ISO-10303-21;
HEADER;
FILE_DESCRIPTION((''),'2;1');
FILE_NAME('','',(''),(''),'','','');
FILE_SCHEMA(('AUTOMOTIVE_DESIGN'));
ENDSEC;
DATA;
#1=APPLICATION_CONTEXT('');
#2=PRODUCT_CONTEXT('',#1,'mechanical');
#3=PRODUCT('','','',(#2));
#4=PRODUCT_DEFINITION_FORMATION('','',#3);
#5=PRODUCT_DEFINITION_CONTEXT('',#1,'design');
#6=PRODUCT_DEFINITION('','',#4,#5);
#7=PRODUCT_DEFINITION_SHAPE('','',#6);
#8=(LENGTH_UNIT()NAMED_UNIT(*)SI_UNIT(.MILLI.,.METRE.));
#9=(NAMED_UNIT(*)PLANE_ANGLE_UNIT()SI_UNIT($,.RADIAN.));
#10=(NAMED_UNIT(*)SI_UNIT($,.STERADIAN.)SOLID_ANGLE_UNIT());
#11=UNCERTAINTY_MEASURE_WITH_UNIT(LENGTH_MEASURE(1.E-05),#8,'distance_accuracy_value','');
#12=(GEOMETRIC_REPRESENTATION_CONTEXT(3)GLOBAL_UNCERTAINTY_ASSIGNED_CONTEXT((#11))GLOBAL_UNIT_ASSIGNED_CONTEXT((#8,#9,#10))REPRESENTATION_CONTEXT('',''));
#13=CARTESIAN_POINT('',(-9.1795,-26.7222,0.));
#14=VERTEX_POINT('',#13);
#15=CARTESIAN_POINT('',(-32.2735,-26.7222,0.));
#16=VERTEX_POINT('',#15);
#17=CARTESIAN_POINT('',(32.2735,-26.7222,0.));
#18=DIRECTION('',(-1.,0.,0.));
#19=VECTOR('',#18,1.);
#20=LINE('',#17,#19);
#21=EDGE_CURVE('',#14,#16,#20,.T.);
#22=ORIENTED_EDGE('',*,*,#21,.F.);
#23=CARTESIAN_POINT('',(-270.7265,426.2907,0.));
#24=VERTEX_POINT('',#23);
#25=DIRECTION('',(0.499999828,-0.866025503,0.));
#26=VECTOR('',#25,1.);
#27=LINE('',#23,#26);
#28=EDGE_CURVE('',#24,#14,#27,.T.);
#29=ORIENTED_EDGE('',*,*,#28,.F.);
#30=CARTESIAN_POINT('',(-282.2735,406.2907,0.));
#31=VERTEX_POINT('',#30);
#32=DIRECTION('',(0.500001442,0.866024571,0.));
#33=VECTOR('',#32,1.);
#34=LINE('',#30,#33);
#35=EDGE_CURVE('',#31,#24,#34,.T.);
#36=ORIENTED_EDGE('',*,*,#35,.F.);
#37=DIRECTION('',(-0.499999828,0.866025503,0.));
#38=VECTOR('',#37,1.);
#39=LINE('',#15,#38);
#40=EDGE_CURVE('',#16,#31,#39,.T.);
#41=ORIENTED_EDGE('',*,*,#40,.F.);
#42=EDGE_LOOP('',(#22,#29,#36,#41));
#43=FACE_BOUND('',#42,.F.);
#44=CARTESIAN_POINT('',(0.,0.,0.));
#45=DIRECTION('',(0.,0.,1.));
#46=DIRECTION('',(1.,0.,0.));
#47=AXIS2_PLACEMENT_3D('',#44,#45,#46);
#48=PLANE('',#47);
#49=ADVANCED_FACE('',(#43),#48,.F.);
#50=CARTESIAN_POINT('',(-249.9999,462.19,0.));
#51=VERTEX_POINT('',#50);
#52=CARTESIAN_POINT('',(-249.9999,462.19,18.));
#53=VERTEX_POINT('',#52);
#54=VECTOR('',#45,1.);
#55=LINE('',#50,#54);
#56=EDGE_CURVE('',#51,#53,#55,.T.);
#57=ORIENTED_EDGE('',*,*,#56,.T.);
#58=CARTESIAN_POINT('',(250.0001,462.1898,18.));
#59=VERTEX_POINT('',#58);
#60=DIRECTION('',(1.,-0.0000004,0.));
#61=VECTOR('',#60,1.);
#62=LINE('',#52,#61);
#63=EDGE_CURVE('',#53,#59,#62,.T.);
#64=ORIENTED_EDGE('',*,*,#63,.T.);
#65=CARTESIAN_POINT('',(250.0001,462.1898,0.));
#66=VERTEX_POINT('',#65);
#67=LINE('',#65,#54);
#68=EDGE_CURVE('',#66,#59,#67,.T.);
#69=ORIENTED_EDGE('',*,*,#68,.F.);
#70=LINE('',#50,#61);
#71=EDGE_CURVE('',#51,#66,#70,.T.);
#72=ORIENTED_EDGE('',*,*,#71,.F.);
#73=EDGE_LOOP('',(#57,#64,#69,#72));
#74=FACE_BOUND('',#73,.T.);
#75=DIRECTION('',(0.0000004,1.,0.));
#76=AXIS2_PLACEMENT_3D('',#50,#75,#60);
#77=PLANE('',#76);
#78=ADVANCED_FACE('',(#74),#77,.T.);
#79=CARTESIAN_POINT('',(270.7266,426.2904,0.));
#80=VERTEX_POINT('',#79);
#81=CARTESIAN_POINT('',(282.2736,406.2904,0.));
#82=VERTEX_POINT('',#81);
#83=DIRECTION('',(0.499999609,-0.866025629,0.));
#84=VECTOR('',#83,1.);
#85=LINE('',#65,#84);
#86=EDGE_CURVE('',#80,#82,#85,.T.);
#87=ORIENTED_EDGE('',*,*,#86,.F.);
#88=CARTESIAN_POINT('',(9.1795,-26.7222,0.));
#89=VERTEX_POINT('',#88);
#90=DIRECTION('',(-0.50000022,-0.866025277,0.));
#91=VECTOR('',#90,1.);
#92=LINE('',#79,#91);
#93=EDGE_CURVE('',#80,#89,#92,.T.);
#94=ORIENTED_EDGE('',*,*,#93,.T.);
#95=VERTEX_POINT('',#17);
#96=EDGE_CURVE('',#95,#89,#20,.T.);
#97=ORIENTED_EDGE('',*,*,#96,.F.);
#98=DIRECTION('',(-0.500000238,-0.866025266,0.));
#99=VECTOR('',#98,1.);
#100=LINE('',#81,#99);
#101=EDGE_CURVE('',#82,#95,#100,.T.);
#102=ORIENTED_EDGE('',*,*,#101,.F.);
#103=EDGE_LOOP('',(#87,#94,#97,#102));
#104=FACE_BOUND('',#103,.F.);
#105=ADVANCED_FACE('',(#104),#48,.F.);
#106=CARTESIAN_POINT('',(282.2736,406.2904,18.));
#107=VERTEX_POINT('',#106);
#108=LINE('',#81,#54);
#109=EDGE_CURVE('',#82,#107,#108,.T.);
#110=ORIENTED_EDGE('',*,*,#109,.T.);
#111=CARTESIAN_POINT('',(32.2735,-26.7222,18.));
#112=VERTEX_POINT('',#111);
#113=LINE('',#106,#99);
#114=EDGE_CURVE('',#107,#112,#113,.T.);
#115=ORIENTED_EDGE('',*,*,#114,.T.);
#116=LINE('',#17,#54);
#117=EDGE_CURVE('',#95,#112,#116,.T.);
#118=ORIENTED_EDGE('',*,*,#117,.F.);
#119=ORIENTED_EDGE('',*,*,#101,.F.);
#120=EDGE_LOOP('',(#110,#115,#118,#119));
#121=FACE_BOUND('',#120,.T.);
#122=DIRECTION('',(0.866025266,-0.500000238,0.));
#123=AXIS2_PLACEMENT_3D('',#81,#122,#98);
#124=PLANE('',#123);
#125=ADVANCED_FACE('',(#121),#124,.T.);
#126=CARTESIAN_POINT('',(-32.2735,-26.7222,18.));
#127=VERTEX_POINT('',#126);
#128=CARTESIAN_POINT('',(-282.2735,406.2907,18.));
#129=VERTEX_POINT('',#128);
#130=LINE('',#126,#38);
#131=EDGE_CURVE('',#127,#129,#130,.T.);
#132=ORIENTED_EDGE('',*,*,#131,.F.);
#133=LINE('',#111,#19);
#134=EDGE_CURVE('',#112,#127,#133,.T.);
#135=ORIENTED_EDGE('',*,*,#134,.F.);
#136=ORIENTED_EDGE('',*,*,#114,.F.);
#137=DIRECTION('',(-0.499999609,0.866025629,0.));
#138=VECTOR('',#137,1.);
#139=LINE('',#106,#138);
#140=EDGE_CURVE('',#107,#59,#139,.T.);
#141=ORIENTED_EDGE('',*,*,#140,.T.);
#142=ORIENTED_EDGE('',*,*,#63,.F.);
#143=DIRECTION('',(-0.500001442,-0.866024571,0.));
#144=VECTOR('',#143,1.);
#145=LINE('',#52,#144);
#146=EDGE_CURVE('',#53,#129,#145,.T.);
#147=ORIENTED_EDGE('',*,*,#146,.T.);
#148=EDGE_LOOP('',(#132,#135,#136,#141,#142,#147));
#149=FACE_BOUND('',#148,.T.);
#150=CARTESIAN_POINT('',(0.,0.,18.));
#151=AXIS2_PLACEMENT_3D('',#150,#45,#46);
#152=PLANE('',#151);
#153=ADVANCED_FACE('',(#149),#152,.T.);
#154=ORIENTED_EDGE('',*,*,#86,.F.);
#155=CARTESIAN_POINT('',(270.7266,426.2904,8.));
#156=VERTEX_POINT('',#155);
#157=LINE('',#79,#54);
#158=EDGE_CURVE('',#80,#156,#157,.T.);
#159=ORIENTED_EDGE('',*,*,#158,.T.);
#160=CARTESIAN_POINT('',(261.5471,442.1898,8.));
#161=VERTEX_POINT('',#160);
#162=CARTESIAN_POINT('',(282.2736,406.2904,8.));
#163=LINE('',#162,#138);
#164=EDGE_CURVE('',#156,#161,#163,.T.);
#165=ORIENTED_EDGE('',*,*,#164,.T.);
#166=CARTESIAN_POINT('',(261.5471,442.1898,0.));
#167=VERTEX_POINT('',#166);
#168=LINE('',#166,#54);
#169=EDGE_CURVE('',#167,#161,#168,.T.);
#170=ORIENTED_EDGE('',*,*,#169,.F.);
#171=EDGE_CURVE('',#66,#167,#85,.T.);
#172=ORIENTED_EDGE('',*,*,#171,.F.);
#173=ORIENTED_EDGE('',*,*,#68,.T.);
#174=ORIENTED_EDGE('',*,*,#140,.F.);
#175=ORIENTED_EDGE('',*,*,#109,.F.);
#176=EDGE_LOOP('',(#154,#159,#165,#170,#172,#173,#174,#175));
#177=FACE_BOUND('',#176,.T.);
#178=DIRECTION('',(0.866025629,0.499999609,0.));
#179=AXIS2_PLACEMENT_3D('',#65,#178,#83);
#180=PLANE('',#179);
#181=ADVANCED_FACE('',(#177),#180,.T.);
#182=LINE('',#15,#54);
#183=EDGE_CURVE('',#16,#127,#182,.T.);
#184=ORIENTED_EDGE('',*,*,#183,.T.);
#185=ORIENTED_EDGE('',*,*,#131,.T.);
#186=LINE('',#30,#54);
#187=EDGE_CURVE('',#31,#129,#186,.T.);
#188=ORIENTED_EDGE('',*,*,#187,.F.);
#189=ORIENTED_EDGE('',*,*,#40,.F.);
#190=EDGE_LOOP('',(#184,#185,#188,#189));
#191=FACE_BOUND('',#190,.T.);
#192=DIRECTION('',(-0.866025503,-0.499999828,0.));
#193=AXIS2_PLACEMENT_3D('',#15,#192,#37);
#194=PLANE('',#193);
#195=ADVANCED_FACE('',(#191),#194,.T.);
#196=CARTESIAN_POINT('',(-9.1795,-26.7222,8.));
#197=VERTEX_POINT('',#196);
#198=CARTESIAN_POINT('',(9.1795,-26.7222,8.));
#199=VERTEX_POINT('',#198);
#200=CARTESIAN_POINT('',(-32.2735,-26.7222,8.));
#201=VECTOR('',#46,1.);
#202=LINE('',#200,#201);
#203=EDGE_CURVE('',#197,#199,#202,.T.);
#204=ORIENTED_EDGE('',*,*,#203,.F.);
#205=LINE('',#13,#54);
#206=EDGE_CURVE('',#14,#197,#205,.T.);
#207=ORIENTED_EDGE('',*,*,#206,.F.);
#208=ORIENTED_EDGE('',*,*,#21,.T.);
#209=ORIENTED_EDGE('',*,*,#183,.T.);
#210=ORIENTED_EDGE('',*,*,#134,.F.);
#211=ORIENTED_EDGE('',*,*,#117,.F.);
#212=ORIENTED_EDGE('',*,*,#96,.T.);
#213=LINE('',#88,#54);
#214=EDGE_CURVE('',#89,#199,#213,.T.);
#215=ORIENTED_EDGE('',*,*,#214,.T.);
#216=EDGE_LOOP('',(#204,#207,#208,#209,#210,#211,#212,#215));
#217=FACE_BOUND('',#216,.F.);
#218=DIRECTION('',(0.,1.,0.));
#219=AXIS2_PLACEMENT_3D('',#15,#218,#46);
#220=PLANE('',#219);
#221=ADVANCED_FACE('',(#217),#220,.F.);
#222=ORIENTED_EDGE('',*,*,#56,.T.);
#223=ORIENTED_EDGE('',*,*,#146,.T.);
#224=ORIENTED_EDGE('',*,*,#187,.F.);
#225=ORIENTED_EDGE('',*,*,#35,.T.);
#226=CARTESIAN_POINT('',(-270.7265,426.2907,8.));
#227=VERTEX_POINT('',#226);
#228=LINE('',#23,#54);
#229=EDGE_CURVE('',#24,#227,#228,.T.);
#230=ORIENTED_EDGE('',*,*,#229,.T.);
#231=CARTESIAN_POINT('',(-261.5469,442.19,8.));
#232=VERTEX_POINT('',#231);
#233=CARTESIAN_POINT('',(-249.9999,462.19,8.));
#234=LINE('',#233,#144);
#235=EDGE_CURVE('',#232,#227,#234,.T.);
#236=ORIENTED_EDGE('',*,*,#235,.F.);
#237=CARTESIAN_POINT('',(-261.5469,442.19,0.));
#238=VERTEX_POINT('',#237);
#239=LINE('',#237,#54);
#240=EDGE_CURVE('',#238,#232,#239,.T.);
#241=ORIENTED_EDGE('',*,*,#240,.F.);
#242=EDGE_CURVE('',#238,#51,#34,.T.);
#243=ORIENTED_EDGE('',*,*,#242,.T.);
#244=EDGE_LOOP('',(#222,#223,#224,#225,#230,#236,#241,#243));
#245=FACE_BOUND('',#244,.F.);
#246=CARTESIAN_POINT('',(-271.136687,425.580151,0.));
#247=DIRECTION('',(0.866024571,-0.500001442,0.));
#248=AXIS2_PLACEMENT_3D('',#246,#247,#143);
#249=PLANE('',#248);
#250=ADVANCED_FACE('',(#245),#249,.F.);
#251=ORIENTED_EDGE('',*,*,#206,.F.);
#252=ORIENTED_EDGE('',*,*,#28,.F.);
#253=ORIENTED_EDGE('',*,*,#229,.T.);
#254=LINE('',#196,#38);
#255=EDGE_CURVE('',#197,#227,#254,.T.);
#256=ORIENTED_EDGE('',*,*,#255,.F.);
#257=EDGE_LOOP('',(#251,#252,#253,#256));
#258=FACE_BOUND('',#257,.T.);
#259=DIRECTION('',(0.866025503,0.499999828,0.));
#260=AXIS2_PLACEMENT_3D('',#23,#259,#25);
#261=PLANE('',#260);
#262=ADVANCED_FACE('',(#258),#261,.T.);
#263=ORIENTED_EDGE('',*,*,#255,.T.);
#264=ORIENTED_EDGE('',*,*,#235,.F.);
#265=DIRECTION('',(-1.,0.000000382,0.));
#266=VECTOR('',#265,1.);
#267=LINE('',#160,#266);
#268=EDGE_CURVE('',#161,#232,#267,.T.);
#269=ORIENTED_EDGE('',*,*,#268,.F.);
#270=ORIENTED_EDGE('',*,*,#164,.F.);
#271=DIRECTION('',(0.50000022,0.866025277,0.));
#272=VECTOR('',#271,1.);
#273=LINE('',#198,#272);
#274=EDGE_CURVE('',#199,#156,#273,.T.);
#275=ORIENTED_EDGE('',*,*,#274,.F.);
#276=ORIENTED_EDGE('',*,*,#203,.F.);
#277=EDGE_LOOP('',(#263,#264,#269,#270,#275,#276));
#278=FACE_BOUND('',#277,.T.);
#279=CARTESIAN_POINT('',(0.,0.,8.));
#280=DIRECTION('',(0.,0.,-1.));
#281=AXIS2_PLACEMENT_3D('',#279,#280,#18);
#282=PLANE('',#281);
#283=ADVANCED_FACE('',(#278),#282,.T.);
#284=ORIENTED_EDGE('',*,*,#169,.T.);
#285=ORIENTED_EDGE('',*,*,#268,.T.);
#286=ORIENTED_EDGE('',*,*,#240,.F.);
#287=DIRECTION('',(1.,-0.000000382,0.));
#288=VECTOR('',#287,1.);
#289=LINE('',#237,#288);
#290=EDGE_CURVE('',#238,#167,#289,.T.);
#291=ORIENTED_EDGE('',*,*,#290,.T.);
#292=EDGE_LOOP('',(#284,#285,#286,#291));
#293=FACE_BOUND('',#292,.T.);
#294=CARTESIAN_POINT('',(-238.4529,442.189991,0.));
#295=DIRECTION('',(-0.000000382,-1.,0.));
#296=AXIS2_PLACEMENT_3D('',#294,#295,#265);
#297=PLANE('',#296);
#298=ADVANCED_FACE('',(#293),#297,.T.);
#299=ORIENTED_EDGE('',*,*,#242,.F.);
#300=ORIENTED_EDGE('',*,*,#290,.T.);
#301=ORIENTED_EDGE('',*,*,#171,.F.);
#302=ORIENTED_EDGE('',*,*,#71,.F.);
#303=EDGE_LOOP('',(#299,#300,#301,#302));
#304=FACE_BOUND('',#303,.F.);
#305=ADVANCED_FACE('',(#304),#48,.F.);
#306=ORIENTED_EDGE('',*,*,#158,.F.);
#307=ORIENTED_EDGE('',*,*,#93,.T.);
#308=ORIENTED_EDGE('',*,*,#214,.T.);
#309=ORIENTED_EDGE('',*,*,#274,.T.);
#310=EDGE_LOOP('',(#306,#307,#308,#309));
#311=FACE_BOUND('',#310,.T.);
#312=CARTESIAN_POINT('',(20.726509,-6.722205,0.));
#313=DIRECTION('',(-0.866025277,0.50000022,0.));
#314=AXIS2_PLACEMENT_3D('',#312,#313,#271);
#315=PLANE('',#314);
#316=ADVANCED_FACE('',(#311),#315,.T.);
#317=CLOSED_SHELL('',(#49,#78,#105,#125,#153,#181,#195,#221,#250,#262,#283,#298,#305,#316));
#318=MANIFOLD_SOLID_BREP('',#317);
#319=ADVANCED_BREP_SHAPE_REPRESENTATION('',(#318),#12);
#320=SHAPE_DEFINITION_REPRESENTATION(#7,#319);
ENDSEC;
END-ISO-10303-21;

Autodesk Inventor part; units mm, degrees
ref_plane "YZ Plane" through (0, 0, 0) normal (1, 0, 0) x (0, 1, 0)
ref_plane "XZ Plane" through (0, 0, 0) normal (0, 1, 0) x (-1, 0, 0)
ref_plane "XY Plane" through (0, 0, 0) normal (0, 0, 1) x (1, 0, 0)
sketch "Sketch1" plane through (0, 0, 0) normal (0, 0, 1) x (1, 0, 0)
  arc A0 (21.6973, 4.8506) -> (16.5011, 13.8506) centre (16.5011, 7.8506) ccw projected
  line L0 (21.6973, 4.8506) -> (13.3257, -9.6494) projected
  arc A1 (5.5315, -14.1494) -> (13.3257, -9.6494) centre (5.5315, -5.1494) ccw projected
  line L1 (5.5315, -14.1494) -> (-5.5315, -14.1494) projected
  arc A2 (-13.3257, -9.6494) -> (-5.5315, -14.1494) centre (-5.5315, -5.1494) ccw projected
  line L2 (-13.3257, -9.6494) -> (-21.6973, 4.8506) projected
  arc A3 (-16.5011, 13.8506) -> (-21.6973, 4.8506) centre (-16.5011, 7.8506) ccw projected
  line L3 (-16.5011, 13.8506) -> (16.5011, 13.8506) projected
  line L4 (-10, -40.5494) -> (-10, -20.5494) projected
  line L5 (-10, -20.5494) -> (10, -20.5494) projected
  line L6 (10, -20.5494) -> (10, -40.5494) projected
  line L7 (10, -40.5494) -> (-10, -40.5494) projected
  line L8 (15, -16.7494) -> (43, 31.7481) projected
  line L9 (43, 31.7481) -> (38.6699, 34.2481) projected
  line L10 (38.6699, 34.2481) -> (31.7143, 22.2006) projected
  arc A4 (23.4871, 17.4506) -> (31.7143, 22.2006) centre (23.4871, 26.9506) ccw projected
  line L11 (23.4871, 17.4506) -> (-23.4871, 17.4506) projected
  arc A5 (-31.7143, 22.2006) -> (-23.4871, 17.4506) centre (-23.4871, 26.9506) ccw projected
  line L12 (-31.7143, 22.2006) -> (-38.6699, 34.2481) projected
  line L13 (-38.6699, 34.2481) -> (-43, 31.7481) projected
  line L14 (-43, 31.7481) -> (-15, -16.7494) projected
  line L15 (-15, -16.7494) -> (-32.2735, -26.7222) projected
  arc A6 (-32.2735, -26.7222) -> (32.2735, -26.7222) centre (0, -5.7301) ccw projected
  line L16 (32.2735, -26.7222) -> (15, -16.7494) projected
  arc A7 (227.9453, 437.2441) -> (222.7491, 428.2441) centre (227.9453, 431.2441) ccw projected
  line L17 (227.9453, 437.2441) -> (244.6884, 437.2441) projected
  arc A8 (252.4827, 432.7441) -> (244.6884, 437.2441) centre (244.6884, 428.2441) ccw projected
  line L18 (252.4827, 432.7441) -> (258.0141, 423.1633) projected
  arc A9 (258.0141, 414.1633) -> (258.0141, 423.1633) centre (250.2199, 418.6633) ccw projected
  line L19 (258.0141, 414.1633) -> (249.6425, 399.6633) projected
  arc A10 (239.2502, 399.6633) -> (249.6425, 399.6633) centre (244.4464, 402.6633) ccw projected
  line L20 (239.2502, 399.6633) -> (222.7491, 428.2441) projected
  line L21 (283.1115, 432.4934) -> (265.791, 422.4934) projected
  line L22 (265.791, 422.4934) -> (255.791, 439.8139) projected
  line L23 (255.791, 439.8139) -> (273.1115, 449.8139) projected
  line L24 (273.1115, 449.8139) -> (283.1115, 432.4934) projected
  line L25 (250.0001, 442.2441) -> (194.0001, 442.2441) projected
  line L26 (194.0001, 442.2441) -> (194.0001, 437.2441) projected
  line L27 (194.0001, 437.2441) -> (207.9112, 437.2441) projected
  arc A11 (216.1385, 432.4941) -> (207.9112, 437.2441) centre (207.9112, 427.7441) ccw projected
  line L28 (216.1385, 432.4941) -> (239.6255, 391.8133) projected
  arc A12 (239.6255, 382.3133) -> (239.6255, 391.8133) centre (231.3983, 387.0633) ccw projected
  line L29 (239.6255, 382.3133) -> (232.6699, 370.2659) projected
  line L30 (232.6699, 370.2659) -> (237.0001, 367.7659) projected
  line L31 (237.0001, 367.7659) -> (265.0001, 416.2633) projected
  line L32 (265.0001, 416.2633) -> (282.2736, 406.2904) projected
  arc A13 (282.2736, 406.2904) -> (250.0001, 462.1898) centre (247.9571, 423.7441) ccw projected
  line L33 (250.0001, 462.1898) -> (250.0001, 442.2441) projected
  arc A14 (-249.6424, 399.6635) -> (-239.2501, 399.6635) centre (-244.4463, 402.6635) ccw projected
  line L34 (-249.6424, 399.6635) -> (-258.014, 414.1635) projected
  arc A15 (-258.014, 423.1635) -> (-258.014, 414.1635) centre (-250.2198, 418.6635) ccw projected
  line L35 (-258.014, 423.1635) -> (-252.4825, 432.7443) projected
  arc A16 (-244.6883, 437.2443) -> (-252.4825, 432.7443) centre (-244.6883, 428.2443) ccw projected
  line L36 (-244.6883, 437.2443) -> (-227.9452, 437.2443) projected
  arc A17 (-222.749, 428.2443) -> (-227.9452, 437.2443) centre (-227.9452, 431.2443) ccw projected
  line L37 (-222.749, 428.2443) -> (-239.2501, 399.6635) projected
  line L38 (-273.1113, 449.8142) -> (-255.7908, 439.8142) projected
  line L39 (-255.7908, 439.8142) -> (-265.7908, 422.4937) projected
  line L40 (-265.7908, 422.4937) -> (-283.1113, 432.4937) projected
  line L41 (-283.1113, 432.4937) -> (-273.1113, 449.8142) projected
  line L42 (-264.9999, 416.2635) -> (-237, 367.7661) projected
  line L43 (-237, 367.7661) -> (-232.6699, 370.2661) projected
  line L44 (-232.6699, 370.2661) -> (-239.6254, 382.3135) projected
  arc A18 (-239.6254, 391.8135) -> (-239.6254, 382.3135) centre (-231.3982, 387.0635) ccw projected
  line L45 (-239.6254, 391.8135) -> (-216.1383, 432.4943) projected
  arc A19 (-207.9111, 437.2443) -> (-216.1383, 432.4943) centre (-207.9111, 427.7443) ccw projected
  line L46 (-207.9111, 437.2443) -> (-193.9999, 437.2443) projected
  line L47 (-193.9999, 437.2443) -> (-193.9999, 442.2443) projected
  line L48 (-193.9999, 442.2443) -> (-249.9999, 442.2443) projected
  line L49 (-249.9999, 442.2443) -> (-249.9999, 462.19) projected
  arc A20 (-249.9999, 462.19) -> (-282.2735, 406.2907) centre (-247.957, 423.7443) ccw projected
  line L50 (-282.2735, 406.2907) -> (-264.9999, 416.2635) projected
  line L51 (-249.9999, 462.19) -> (250.0001, 462.1898)
  line L52 (282.2736, 406.2904) -> (32.2735, -26.7222)
  line L53 (-32.2735, -26.7222) -> (-282.2735, 406.2907)
  line L54 (-249.9999, 462.19) -> (-282.2735, 406.2907)
  line L55 (250.0001, 462.1898) -> (282.2736, 406.2904)
  line L56 (-32.2735, -26.7222) -> (32.2735, -26.7222)
  point P0 (0, 0)
extrude "Extrusion1" add sketch "Sketch1" along normal blind 18 contours L0 A1 L1 A2 L2 A3 L3 A0 | L56 L15 L14 L13 L12 A5 L11 A4 L10 L9 L8 L16 L6 L5 L4 | L4 L5 L6 L56 | L53 L50 L42 L43 L44 A18 L45 A19 L46 L47 L48 L49 L51 L33 L25 L26 L27 A11 L28 A12 L29 L30 L31 L32 L52 L16 L8 L9 L10 A4 L11 A5 L12 L13 L14 L15 | L54 L40 L39 L38 L49 L48 L47 L46 A19 L45 A18 L44 L43 L42 L50 | L32 L31 L30 L29 A12 L28 A11 L27 L26 L25 L33 L55 L23 L22 L21 | L54 L38 L39 L40 | L21 L22 L23 L55 | L17 A8 L18 A9 L19 A10 L20 A7 | L34 A15 L35 A16 L36 A17 L37 A14
sketch "Sketch2" plane through (0, 0, 0) normal (0, 0, -1) x (-1, 0, 0)
  line L0 (282.2735, 406.2907) -> (32.2735, -26.7222) projected
  line L1 (249.9999, 462.19) -> (282.2735, 406.2907) projected
  line L2 (-250.0001, 462.1898) -> (249.9999, 462.19) projected
  line L3 (-282.2736, 406.2904) -> (-250.0001, 462.1898) projected
  line L4 (-32.2735, -26.7222) -> (-282.2736, 406.2904) projected
  line L5 (32.2735, -26.7222) -> (-32.2735, -26.7222) projected
  line L6 (238.4529, 442.19) -> (259.1795, 406.2907)
  line L7 (270.7265, 426.2907) -> (9.1795, -26.7222)
  line L8 (20.7265, -6.7222) -> (-20.7265, -6.7222)
  line L9 (-9.1795, -26.7222) -> (-270.7266, 426.2904)
  line L10 (-259.1796, 406.2904) -> (-238.4531, 442.1898)
  line L11 (-261.5471, 442.1898) -> (261.5469, 442.19)
  point P0 (0, 0)
  dimension "d2" = 20
extrude "Extrusion2" cut sketch "Sketch2" against normal blind 8 contours L7 L6 L11 L1 | L5 L9 L8 L7 | L7 L8 L9 L10 L11 L6 | L10 L9 L3 L11
properties part number "bottom plate"
